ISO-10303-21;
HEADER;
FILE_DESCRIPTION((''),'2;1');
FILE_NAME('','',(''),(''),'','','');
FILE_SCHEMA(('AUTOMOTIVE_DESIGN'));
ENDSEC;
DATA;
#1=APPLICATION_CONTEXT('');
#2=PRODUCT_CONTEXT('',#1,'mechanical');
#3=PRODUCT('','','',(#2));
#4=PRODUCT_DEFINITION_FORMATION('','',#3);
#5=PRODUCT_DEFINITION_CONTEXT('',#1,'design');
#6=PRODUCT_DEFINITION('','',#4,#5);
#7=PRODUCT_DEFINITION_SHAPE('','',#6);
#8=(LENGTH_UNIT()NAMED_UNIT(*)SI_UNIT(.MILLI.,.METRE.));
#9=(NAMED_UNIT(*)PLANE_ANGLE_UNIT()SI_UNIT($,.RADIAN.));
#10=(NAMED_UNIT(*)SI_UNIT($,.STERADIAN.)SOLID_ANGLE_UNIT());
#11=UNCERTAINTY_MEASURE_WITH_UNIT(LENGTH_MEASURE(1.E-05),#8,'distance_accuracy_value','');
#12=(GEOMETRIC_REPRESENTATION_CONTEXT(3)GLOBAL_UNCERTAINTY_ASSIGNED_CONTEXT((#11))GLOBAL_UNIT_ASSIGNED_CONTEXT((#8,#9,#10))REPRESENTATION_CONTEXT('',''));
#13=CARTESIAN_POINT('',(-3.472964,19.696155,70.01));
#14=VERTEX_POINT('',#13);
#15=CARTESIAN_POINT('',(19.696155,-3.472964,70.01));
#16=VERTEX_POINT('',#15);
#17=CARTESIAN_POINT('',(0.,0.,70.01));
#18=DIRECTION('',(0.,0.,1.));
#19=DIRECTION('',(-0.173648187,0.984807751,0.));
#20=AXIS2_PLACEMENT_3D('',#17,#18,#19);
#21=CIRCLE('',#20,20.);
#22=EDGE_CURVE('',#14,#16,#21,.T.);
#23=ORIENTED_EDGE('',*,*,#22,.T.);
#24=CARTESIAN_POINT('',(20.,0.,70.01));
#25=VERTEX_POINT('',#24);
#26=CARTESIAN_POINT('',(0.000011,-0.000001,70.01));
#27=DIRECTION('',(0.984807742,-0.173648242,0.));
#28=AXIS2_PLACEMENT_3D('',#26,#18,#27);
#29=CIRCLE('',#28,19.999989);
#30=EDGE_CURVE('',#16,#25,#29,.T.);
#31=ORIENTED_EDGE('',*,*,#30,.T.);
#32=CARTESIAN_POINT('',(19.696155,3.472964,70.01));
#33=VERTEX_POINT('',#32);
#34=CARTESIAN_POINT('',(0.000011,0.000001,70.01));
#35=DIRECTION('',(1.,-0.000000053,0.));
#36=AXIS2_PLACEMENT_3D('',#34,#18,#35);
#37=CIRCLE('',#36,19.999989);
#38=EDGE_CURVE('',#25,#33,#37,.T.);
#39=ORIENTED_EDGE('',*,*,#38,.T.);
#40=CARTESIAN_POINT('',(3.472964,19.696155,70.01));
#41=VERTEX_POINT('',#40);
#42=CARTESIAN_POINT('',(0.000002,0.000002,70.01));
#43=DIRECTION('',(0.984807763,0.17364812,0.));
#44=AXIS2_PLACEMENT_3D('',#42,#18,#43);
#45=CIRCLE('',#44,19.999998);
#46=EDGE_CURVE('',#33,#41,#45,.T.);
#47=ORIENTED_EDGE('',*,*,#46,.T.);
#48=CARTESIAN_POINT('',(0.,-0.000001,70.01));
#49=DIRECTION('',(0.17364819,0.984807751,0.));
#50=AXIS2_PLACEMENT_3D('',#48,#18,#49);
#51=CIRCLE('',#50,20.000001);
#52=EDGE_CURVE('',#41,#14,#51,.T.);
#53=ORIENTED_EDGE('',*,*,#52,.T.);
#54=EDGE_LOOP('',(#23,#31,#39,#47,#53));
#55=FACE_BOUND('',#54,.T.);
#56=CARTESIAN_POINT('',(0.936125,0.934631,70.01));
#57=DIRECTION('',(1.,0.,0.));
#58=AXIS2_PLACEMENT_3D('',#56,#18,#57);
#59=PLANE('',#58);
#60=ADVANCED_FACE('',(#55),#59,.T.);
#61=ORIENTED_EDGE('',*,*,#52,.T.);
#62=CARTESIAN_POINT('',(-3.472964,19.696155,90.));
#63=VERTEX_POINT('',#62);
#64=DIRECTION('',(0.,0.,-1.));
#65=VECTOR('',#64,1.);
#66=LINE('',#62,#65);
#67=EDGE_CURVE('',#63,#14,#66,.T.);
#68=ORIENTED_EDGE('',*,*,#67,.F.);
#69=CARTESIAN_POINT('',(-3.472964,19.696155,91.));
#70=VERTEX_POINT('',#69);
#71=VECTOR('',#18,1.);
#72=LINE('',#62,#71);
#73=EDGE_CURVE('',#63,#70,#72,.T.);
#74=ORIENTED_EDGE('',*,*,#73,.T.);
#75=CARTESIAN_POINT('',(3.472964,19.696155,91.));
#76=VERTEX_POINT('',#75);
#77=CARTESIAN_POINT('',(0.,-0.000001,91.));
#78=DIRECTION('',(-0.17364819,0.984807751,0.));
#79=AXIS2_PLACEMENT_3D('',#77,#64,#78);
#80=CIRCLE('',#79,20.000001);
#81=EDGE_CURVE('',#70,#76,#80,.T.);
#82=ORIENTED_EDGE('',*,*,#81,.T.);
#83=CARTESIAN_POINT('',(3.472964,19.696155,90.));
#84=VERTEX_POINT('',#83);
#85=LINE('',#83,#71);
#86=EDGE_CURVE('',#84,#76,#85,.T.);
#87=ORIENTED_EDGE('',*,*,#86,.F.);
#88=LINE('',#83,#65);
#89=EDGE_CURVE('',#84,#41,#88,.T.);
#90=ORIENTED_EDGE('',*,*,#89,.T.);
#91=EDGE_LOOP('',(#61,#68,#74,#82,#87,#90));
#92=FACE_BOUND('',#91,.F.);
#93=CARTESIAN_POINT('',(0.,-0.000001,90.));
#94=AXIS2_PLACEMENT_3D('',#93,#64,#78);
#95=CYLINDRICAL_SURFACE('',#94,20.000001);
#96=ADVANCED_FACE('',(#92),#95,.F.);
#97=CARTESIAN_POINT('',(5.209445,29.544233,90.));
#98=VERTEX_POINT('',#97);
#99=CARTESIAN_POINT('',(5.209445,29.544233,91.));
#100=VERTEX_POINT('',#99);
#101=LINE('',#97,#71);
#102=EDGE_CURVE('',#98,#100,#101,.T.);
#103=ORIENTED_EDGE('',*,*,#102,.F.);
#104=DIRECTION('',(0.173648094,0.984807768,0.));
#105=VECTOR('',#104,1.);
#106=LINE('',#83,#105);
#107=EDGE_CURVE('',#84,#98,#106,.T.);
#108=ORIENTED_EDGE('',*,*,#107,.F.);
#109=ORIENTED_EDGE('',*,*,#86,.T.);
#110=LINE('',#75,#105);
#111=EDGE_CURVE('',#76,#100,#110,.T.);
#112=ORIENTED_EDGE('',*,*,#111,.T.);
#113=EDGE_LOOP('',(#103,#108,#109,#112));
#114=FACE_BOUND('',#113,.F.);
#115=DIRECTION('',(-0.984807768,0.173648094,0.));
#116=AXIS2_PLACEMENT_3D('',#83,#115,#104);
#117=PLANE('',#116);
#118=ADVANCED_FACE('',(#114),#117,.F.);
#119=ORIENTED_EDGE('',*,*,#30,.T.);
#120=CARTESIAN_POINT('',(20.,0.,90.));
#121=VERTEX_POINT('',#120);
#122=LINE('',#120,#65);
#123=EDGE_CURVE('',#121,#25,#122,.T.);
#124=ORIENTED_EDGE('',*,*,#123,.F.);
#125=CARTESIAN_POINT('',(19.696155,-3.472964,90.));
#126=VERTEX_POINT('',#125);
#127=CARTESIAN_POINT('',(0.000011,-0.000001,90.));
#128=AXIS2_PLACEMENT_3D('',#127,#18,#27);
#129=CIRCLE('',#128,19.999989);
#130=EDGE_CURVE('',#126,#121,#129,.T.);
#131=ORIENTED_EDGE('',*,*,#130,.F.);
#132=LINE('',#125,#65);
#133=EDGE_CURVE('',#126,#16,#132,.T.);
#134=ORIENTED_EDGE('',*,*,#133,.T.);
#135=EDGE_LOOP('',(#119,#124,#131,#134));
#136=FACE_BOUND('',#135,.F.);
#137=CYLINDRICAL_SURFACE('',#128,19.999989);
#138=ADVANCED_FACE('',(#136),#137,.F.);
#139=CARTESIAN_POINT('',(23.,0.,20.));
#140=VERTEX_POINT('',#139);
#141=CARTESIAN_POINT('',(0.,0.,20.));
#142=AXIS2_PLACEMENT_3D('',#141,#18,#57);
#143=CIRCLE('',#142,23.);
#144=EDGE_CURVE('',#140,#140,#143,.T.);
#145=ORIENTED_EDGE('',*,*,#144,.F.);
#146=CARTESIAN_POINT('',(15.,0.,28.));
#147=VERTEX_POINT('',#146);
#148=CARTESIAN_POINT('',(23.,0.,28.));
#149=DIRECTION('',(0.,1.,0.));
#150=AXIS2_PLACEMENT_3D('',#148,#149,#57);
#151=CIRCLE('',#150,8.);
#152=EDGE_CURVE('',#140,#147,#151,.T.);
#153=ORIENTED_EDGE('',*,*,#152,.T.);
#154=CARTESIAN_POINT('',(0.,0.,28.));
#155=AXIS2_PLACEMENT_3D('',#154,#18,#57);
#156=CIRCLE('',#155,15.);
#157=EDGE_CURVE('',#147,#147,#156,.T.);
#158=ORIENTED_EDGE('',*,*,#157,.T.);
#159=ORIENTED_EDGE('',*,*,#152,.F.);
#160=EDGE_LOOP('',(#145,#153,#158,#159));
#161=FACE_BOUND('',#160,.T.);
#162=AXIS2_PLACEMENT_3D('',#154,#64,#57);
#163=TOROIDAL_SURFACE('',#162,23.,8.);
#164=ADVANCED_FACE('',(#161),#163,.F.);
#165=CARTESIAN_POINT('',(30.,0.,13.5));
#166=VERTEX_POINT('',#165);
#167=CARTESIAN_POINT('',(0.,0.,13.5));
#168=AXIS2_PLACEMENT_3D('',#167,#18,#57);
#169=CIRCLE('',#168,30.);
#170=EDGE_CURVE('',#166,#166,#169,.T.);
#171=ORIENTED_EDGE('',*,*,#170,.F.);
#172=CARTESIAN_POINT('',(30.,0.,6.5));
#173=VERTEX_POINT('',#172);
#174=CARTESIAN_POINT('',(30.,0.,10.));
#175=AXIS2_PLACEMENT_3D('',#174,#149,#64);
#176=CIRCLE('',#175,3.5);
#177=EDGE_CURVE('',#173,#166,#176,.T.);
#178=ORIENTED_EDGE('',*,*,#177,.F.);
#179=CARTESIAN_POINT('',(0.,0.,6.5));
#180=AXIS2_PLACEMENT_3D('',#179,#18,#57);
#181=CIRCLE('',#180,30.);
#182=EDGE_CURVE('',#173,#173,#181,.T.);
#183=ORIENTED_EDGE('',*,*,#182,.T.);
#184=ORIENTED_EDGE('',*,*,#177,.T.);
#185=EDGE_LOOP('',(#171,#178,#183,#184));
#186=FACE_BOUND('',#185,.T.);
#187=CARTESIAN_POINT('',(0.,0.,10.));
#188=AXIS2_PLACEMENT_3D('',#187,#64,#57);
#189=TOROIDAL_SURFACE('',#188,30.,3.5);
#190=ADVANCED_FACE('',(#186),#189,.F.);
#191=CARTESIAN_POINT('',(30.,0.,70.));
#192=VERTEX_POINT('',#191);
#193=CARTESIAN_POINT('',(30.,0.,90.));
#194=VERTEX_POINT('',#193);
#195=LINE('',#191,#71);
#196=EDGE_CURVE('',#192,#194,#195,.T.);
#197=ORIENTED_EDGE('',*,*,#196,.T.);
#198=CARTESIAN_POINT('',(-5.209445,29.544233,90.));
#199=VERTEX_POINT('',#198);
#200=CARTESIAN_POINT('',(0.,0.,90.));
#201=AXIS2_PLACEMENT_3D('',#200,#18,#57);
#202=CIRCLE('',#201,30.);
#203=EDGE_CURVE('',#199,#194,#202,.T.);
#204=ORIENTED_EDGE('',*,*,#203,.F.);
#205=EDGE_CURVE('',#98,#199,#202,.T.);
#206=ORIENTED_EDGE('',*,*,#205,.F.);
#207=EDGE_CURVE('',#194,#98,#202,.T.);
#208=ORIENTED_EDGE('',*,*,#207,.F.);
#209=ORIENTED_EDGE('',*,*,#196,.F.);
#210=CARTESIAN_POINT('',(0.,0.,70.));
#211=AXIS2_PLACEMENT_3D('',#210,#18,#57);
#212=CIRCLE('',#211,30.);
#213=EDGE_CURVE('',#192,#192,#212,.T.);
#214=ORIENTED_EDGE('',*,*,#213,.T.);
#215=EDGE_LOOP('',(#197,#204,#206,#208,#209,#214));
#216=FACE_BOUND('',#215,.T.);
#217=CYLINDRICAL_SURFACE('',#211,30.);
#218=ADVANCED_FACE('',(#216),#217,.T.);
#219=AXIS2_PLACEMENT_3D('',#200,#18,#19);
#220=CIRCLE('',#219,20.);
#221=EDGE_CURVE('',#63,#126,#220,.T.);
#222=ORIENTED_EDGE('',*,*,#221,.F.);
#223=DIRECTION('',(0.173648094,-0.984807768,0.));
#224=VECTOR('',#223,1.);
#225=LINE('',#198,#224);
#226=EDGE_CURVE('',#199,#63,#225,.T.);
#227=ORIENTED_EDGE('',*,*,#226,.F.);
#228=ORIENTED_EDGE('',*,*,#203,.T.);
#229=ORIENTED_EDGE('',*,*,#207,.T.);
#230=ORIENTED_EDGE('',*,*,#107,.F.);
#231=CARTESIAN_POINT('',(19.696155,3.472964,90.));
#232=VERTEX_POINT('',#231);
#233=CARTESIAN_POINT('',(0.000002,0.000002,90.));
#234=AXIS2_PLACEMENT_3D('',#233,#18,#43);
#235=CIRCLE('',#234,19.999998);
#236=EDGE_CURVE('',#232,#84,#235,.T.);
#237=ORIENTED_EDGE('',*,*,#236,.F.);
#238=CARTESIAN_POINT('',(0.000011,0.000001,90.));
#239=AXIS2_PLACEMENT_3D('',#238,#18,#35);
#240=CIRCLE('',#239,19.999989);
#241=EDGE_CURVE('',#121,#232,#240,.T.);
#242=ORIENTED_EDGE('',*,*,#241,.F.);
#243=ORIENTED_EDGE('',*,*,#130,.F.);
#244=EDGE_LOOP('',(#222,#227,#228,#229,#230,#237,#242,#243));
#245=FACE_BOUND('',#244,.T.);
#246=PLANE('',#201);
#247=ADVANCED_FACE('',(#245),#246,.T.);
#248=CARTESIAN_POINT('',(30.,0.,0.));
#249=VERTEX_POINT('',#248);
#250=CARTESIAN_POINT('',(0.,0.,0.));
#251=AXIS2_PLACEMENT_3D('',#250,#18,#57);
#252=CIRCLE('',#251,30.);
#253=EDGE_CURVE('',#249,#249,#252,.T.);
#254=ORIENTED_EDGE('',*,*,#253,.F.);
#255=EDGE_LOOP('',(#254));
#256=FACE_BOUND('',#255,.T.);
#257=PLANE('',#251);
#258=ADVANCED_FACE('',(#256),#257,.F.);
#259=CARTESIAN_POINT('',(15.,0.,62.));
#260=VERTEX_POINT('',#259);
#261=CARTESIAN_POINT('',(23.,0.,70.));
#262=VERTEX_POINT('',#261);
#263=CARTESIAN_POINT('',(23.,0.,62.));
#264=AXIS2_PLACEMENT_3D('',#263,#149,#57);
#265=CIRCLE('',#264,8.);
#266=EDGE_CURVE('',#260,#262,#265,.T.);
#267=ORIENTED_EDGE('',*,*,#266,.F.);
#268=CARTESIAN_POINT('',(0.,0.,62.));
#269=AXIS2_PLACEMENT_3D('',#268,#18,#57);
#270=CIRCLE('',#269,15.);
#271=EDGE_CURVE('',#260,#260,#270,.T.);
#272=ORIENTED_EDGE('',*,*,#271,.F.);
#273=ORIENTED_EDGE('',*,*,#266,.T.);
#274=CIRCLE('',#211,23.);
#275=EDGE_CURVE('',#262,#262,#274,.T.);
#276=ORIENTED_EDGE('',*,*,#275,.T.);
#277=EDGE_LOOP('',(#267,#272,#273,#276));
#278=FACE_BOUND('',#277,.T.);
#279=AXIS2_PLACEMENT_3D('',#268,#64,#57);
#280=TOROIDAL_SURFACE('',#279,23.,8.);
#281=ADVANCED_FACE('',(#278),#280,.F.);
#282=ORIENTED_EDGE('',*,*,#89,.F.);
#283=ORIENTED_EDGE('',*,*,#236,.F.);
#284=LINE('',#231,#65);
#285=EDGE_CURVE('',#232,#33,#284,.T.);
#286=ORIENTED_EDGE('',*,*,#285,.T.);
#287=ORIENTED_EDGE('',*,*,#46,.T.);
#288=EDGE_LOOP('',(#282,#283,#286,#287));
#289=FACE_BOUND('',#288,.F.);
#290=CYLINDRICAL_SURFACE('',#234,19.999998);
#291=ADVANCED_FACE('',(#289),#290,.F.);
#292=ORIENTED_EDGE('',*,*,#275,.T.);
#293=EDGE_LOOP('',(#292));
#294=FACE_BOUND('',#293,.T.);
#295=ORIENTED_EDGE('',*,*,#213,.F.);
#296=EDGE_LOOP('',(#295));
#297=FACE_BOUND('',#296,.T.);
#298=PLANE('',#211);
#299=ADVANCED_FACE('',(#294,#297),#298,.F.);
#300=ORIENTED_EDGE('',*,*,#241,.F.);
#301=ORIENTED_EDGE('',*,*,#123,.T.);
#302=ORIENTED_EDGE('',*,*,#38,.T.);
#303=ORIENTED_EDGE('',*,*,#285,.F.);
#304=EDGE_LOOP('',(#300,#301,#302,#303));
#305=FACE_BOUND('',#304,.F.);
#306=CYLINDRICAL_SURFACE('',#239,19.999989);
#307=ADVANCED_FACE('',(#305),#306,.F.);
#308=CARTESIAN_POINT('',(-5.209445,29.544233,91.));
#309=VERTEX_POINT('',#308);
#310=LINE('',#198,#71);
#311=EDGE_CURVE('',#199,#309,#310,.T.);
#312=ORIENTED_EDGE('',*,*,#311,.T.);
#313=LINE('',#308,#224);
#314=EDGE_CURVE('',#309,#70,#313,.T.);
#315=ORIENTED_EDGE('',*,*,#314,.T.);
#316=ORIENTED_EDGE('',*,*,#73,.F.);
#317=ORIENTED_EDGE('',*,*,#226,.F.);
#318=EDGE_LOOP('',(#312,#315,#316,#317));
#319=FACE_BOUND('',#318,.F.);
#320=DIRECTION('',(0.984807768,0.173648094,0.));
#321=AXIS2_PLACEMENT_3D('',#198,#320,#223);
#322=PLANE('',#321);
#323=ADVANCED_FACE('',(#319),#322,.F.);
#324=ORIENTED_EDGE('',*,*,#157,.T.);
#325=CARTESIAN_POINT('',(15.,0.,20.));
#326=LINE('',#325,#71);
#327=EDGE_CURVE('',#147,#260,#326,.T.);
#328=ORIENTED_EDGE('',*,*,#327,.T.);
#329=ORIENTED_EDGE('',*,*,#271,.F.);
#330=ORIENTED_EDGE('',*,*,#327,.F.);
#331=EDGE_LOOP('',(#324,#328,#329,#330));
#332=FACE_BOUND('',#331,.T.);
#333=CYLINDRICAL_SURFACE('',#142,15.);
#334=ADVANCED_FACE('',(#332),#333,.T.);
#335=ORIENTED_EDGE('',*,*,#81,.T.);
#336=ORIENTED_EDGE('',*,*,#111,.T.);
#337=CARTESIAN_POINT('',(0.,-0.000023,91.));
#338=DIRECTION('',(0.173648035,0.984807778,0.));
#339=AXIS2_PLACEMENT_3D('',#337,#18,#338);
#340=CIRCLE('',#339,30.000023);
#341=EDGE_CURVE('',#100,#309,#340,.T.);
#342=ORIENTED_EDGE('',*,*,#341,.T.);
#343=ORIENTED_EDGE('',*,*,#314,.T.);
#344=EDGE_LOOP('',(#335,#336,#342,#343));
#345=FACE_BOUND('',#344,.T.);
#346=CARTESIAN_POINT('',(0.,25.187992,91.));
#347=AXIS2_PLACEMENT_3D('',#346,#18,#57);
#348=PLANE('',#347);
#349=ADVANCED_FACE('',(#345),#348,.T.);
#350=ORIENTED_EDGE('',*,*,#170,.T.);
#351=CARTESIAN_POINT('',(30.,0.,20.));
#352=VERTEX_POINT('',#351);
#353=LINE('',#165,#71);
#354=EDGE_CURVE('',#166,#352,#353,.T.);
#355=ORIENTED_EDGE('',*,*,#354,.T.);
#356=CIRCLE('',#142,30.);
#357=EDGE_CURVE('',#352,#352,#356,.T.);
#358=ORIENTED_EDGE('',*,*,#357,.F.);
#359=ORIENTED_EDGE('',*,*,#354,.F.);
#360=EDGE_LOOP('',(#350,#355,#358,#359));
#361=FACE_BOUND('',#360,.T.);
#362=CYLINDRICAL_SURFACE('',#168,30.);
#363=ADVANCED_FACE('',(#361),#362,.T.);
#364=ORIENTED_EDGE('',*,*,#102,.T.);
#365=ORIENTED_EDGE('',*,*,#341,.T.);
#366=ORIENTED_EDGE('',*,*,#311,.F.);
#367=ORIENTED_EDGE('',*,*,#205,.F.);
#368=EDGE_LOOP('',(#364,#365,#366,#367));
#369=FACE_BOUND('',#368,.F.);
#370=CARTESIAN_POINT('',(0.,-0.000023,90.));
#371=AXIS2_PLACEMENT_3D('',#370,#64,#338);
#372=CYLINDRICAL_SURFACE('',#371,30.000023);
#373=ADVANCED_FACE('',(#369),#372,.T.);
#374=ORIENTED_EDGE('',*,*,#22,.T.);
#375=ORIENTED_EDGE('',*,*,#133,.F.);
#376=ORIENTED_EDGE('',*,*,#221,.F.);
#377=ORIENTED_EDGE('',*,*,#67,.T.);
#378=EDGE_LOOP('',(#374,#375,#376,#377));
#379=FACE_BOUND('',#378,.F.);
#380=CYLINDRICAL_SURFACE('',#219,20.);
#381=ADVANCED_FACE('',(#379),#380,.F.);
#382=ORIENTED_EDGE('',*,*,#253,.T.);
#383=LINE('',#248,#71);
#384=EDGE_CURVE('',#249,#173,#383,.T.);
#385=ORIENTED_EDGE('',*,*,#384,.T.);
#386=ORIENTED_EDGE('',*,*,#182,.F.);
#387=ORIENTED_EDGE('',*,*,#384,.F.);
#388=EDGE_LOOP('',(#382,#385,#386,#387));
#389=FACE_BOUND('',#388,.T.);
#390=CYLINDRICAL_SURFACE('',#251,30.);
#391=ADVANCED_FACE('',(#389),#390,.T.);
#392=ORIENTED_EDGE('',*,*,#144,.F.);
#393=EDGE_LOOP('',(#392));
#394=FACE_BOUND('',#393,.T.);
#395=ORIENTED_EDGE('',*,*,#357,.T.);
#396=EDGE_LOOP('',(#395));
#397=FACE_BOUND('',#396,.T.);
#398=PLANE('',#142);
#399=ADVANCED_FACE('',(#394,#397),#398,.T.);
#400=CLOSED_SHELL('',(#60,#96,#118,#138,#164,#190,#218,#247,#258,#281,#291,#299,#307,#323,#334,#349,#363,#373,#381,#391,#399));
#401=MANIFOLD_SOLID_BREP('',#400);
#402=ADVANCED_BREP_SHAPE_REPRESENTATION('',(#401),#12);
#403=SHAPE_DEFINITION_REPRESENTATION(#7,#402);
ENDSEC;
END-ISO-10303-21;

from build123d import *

# Parameters (mm, degrees)
F3_DEPTH = 19.99
F4_R     = 8
F5_DEPTH = 1


with BuildPart() as f1:
    # F0 (on Front) → F1 (revolve)
    with BuildSketch(Plane.XZ):
        with BuildLine():
            Line((0, 90), (0, 0))
            Line((0, 0), (30, 0))
            Line((30, 0), (30, 6.5))
            ThreePointArc((30, 6.5), (26.5, 10), (30, 13.5))
            Line((30, 13.5), (30, 20))
            Line((30, 20), (15, 20))
            Line((15, 20), (15, 70))
            Line((15, 70), (30, 70))
            Line((30, 70), (30, 90))
            Line((30, 90), (0, 90))
        make_face()
    revolve(axis=Axis((0, 0, 45), (0, 0, 1)))

    # F2 (on face) → F3 (cut)
    with BuildSketch(Plane.XY.offset(90)):
        with BuildLine():
            ThreePointArc((20, 0), (19.923894, 1.743115), (19.696155, 3.472964))
            ThreePointArc((19.696155, 3.472964), (14.142136, 14.142136), (3.472964, 19.696155))
            ThreePointArc((3.472964, 19.696155), (0, 20), (-3.472964, 19.696155))
            ThreePointArc((-3.472964, 19.696155), (-14.142136, -14.142136), (19.696155, -3.472964))
            ThreePointArc((19.696155, -3.472964), (19.923894, -1.743115), (20, 0))
        make_face()
    extrude(amount=-F3_DEPTH, mode=Mode.SUBTRACT)

    # F4
    f4_edges = [f1.edges().sort_by_distance(p)[0] for p in [
        (-15, 0, 20),
        (-15, 0, 70),
        (15, 0, 45),
    ]]
    fillet(f4_edges, radius=F4_R)

    # F2 (on face) → F5 (join)
    with BuildSketch(Plane.XY.offset(90)):
        with BuildLine():
            Line((3.472964, 19.696155), (5.209445, 29.544233))
            ThreePointArc((5.209445, 29.544233), (0, 30), (-5.209445, 29.544233))
            Line((-5.209445, 29.544233), (-3.472964, 19.696155))
            ThreePointArc((-3.472964, 19.696155), (0, 20), (3.472964, 19.696155))
        make_face()
    extrude(amount=F5_DEPTH)


solid = f1.part
